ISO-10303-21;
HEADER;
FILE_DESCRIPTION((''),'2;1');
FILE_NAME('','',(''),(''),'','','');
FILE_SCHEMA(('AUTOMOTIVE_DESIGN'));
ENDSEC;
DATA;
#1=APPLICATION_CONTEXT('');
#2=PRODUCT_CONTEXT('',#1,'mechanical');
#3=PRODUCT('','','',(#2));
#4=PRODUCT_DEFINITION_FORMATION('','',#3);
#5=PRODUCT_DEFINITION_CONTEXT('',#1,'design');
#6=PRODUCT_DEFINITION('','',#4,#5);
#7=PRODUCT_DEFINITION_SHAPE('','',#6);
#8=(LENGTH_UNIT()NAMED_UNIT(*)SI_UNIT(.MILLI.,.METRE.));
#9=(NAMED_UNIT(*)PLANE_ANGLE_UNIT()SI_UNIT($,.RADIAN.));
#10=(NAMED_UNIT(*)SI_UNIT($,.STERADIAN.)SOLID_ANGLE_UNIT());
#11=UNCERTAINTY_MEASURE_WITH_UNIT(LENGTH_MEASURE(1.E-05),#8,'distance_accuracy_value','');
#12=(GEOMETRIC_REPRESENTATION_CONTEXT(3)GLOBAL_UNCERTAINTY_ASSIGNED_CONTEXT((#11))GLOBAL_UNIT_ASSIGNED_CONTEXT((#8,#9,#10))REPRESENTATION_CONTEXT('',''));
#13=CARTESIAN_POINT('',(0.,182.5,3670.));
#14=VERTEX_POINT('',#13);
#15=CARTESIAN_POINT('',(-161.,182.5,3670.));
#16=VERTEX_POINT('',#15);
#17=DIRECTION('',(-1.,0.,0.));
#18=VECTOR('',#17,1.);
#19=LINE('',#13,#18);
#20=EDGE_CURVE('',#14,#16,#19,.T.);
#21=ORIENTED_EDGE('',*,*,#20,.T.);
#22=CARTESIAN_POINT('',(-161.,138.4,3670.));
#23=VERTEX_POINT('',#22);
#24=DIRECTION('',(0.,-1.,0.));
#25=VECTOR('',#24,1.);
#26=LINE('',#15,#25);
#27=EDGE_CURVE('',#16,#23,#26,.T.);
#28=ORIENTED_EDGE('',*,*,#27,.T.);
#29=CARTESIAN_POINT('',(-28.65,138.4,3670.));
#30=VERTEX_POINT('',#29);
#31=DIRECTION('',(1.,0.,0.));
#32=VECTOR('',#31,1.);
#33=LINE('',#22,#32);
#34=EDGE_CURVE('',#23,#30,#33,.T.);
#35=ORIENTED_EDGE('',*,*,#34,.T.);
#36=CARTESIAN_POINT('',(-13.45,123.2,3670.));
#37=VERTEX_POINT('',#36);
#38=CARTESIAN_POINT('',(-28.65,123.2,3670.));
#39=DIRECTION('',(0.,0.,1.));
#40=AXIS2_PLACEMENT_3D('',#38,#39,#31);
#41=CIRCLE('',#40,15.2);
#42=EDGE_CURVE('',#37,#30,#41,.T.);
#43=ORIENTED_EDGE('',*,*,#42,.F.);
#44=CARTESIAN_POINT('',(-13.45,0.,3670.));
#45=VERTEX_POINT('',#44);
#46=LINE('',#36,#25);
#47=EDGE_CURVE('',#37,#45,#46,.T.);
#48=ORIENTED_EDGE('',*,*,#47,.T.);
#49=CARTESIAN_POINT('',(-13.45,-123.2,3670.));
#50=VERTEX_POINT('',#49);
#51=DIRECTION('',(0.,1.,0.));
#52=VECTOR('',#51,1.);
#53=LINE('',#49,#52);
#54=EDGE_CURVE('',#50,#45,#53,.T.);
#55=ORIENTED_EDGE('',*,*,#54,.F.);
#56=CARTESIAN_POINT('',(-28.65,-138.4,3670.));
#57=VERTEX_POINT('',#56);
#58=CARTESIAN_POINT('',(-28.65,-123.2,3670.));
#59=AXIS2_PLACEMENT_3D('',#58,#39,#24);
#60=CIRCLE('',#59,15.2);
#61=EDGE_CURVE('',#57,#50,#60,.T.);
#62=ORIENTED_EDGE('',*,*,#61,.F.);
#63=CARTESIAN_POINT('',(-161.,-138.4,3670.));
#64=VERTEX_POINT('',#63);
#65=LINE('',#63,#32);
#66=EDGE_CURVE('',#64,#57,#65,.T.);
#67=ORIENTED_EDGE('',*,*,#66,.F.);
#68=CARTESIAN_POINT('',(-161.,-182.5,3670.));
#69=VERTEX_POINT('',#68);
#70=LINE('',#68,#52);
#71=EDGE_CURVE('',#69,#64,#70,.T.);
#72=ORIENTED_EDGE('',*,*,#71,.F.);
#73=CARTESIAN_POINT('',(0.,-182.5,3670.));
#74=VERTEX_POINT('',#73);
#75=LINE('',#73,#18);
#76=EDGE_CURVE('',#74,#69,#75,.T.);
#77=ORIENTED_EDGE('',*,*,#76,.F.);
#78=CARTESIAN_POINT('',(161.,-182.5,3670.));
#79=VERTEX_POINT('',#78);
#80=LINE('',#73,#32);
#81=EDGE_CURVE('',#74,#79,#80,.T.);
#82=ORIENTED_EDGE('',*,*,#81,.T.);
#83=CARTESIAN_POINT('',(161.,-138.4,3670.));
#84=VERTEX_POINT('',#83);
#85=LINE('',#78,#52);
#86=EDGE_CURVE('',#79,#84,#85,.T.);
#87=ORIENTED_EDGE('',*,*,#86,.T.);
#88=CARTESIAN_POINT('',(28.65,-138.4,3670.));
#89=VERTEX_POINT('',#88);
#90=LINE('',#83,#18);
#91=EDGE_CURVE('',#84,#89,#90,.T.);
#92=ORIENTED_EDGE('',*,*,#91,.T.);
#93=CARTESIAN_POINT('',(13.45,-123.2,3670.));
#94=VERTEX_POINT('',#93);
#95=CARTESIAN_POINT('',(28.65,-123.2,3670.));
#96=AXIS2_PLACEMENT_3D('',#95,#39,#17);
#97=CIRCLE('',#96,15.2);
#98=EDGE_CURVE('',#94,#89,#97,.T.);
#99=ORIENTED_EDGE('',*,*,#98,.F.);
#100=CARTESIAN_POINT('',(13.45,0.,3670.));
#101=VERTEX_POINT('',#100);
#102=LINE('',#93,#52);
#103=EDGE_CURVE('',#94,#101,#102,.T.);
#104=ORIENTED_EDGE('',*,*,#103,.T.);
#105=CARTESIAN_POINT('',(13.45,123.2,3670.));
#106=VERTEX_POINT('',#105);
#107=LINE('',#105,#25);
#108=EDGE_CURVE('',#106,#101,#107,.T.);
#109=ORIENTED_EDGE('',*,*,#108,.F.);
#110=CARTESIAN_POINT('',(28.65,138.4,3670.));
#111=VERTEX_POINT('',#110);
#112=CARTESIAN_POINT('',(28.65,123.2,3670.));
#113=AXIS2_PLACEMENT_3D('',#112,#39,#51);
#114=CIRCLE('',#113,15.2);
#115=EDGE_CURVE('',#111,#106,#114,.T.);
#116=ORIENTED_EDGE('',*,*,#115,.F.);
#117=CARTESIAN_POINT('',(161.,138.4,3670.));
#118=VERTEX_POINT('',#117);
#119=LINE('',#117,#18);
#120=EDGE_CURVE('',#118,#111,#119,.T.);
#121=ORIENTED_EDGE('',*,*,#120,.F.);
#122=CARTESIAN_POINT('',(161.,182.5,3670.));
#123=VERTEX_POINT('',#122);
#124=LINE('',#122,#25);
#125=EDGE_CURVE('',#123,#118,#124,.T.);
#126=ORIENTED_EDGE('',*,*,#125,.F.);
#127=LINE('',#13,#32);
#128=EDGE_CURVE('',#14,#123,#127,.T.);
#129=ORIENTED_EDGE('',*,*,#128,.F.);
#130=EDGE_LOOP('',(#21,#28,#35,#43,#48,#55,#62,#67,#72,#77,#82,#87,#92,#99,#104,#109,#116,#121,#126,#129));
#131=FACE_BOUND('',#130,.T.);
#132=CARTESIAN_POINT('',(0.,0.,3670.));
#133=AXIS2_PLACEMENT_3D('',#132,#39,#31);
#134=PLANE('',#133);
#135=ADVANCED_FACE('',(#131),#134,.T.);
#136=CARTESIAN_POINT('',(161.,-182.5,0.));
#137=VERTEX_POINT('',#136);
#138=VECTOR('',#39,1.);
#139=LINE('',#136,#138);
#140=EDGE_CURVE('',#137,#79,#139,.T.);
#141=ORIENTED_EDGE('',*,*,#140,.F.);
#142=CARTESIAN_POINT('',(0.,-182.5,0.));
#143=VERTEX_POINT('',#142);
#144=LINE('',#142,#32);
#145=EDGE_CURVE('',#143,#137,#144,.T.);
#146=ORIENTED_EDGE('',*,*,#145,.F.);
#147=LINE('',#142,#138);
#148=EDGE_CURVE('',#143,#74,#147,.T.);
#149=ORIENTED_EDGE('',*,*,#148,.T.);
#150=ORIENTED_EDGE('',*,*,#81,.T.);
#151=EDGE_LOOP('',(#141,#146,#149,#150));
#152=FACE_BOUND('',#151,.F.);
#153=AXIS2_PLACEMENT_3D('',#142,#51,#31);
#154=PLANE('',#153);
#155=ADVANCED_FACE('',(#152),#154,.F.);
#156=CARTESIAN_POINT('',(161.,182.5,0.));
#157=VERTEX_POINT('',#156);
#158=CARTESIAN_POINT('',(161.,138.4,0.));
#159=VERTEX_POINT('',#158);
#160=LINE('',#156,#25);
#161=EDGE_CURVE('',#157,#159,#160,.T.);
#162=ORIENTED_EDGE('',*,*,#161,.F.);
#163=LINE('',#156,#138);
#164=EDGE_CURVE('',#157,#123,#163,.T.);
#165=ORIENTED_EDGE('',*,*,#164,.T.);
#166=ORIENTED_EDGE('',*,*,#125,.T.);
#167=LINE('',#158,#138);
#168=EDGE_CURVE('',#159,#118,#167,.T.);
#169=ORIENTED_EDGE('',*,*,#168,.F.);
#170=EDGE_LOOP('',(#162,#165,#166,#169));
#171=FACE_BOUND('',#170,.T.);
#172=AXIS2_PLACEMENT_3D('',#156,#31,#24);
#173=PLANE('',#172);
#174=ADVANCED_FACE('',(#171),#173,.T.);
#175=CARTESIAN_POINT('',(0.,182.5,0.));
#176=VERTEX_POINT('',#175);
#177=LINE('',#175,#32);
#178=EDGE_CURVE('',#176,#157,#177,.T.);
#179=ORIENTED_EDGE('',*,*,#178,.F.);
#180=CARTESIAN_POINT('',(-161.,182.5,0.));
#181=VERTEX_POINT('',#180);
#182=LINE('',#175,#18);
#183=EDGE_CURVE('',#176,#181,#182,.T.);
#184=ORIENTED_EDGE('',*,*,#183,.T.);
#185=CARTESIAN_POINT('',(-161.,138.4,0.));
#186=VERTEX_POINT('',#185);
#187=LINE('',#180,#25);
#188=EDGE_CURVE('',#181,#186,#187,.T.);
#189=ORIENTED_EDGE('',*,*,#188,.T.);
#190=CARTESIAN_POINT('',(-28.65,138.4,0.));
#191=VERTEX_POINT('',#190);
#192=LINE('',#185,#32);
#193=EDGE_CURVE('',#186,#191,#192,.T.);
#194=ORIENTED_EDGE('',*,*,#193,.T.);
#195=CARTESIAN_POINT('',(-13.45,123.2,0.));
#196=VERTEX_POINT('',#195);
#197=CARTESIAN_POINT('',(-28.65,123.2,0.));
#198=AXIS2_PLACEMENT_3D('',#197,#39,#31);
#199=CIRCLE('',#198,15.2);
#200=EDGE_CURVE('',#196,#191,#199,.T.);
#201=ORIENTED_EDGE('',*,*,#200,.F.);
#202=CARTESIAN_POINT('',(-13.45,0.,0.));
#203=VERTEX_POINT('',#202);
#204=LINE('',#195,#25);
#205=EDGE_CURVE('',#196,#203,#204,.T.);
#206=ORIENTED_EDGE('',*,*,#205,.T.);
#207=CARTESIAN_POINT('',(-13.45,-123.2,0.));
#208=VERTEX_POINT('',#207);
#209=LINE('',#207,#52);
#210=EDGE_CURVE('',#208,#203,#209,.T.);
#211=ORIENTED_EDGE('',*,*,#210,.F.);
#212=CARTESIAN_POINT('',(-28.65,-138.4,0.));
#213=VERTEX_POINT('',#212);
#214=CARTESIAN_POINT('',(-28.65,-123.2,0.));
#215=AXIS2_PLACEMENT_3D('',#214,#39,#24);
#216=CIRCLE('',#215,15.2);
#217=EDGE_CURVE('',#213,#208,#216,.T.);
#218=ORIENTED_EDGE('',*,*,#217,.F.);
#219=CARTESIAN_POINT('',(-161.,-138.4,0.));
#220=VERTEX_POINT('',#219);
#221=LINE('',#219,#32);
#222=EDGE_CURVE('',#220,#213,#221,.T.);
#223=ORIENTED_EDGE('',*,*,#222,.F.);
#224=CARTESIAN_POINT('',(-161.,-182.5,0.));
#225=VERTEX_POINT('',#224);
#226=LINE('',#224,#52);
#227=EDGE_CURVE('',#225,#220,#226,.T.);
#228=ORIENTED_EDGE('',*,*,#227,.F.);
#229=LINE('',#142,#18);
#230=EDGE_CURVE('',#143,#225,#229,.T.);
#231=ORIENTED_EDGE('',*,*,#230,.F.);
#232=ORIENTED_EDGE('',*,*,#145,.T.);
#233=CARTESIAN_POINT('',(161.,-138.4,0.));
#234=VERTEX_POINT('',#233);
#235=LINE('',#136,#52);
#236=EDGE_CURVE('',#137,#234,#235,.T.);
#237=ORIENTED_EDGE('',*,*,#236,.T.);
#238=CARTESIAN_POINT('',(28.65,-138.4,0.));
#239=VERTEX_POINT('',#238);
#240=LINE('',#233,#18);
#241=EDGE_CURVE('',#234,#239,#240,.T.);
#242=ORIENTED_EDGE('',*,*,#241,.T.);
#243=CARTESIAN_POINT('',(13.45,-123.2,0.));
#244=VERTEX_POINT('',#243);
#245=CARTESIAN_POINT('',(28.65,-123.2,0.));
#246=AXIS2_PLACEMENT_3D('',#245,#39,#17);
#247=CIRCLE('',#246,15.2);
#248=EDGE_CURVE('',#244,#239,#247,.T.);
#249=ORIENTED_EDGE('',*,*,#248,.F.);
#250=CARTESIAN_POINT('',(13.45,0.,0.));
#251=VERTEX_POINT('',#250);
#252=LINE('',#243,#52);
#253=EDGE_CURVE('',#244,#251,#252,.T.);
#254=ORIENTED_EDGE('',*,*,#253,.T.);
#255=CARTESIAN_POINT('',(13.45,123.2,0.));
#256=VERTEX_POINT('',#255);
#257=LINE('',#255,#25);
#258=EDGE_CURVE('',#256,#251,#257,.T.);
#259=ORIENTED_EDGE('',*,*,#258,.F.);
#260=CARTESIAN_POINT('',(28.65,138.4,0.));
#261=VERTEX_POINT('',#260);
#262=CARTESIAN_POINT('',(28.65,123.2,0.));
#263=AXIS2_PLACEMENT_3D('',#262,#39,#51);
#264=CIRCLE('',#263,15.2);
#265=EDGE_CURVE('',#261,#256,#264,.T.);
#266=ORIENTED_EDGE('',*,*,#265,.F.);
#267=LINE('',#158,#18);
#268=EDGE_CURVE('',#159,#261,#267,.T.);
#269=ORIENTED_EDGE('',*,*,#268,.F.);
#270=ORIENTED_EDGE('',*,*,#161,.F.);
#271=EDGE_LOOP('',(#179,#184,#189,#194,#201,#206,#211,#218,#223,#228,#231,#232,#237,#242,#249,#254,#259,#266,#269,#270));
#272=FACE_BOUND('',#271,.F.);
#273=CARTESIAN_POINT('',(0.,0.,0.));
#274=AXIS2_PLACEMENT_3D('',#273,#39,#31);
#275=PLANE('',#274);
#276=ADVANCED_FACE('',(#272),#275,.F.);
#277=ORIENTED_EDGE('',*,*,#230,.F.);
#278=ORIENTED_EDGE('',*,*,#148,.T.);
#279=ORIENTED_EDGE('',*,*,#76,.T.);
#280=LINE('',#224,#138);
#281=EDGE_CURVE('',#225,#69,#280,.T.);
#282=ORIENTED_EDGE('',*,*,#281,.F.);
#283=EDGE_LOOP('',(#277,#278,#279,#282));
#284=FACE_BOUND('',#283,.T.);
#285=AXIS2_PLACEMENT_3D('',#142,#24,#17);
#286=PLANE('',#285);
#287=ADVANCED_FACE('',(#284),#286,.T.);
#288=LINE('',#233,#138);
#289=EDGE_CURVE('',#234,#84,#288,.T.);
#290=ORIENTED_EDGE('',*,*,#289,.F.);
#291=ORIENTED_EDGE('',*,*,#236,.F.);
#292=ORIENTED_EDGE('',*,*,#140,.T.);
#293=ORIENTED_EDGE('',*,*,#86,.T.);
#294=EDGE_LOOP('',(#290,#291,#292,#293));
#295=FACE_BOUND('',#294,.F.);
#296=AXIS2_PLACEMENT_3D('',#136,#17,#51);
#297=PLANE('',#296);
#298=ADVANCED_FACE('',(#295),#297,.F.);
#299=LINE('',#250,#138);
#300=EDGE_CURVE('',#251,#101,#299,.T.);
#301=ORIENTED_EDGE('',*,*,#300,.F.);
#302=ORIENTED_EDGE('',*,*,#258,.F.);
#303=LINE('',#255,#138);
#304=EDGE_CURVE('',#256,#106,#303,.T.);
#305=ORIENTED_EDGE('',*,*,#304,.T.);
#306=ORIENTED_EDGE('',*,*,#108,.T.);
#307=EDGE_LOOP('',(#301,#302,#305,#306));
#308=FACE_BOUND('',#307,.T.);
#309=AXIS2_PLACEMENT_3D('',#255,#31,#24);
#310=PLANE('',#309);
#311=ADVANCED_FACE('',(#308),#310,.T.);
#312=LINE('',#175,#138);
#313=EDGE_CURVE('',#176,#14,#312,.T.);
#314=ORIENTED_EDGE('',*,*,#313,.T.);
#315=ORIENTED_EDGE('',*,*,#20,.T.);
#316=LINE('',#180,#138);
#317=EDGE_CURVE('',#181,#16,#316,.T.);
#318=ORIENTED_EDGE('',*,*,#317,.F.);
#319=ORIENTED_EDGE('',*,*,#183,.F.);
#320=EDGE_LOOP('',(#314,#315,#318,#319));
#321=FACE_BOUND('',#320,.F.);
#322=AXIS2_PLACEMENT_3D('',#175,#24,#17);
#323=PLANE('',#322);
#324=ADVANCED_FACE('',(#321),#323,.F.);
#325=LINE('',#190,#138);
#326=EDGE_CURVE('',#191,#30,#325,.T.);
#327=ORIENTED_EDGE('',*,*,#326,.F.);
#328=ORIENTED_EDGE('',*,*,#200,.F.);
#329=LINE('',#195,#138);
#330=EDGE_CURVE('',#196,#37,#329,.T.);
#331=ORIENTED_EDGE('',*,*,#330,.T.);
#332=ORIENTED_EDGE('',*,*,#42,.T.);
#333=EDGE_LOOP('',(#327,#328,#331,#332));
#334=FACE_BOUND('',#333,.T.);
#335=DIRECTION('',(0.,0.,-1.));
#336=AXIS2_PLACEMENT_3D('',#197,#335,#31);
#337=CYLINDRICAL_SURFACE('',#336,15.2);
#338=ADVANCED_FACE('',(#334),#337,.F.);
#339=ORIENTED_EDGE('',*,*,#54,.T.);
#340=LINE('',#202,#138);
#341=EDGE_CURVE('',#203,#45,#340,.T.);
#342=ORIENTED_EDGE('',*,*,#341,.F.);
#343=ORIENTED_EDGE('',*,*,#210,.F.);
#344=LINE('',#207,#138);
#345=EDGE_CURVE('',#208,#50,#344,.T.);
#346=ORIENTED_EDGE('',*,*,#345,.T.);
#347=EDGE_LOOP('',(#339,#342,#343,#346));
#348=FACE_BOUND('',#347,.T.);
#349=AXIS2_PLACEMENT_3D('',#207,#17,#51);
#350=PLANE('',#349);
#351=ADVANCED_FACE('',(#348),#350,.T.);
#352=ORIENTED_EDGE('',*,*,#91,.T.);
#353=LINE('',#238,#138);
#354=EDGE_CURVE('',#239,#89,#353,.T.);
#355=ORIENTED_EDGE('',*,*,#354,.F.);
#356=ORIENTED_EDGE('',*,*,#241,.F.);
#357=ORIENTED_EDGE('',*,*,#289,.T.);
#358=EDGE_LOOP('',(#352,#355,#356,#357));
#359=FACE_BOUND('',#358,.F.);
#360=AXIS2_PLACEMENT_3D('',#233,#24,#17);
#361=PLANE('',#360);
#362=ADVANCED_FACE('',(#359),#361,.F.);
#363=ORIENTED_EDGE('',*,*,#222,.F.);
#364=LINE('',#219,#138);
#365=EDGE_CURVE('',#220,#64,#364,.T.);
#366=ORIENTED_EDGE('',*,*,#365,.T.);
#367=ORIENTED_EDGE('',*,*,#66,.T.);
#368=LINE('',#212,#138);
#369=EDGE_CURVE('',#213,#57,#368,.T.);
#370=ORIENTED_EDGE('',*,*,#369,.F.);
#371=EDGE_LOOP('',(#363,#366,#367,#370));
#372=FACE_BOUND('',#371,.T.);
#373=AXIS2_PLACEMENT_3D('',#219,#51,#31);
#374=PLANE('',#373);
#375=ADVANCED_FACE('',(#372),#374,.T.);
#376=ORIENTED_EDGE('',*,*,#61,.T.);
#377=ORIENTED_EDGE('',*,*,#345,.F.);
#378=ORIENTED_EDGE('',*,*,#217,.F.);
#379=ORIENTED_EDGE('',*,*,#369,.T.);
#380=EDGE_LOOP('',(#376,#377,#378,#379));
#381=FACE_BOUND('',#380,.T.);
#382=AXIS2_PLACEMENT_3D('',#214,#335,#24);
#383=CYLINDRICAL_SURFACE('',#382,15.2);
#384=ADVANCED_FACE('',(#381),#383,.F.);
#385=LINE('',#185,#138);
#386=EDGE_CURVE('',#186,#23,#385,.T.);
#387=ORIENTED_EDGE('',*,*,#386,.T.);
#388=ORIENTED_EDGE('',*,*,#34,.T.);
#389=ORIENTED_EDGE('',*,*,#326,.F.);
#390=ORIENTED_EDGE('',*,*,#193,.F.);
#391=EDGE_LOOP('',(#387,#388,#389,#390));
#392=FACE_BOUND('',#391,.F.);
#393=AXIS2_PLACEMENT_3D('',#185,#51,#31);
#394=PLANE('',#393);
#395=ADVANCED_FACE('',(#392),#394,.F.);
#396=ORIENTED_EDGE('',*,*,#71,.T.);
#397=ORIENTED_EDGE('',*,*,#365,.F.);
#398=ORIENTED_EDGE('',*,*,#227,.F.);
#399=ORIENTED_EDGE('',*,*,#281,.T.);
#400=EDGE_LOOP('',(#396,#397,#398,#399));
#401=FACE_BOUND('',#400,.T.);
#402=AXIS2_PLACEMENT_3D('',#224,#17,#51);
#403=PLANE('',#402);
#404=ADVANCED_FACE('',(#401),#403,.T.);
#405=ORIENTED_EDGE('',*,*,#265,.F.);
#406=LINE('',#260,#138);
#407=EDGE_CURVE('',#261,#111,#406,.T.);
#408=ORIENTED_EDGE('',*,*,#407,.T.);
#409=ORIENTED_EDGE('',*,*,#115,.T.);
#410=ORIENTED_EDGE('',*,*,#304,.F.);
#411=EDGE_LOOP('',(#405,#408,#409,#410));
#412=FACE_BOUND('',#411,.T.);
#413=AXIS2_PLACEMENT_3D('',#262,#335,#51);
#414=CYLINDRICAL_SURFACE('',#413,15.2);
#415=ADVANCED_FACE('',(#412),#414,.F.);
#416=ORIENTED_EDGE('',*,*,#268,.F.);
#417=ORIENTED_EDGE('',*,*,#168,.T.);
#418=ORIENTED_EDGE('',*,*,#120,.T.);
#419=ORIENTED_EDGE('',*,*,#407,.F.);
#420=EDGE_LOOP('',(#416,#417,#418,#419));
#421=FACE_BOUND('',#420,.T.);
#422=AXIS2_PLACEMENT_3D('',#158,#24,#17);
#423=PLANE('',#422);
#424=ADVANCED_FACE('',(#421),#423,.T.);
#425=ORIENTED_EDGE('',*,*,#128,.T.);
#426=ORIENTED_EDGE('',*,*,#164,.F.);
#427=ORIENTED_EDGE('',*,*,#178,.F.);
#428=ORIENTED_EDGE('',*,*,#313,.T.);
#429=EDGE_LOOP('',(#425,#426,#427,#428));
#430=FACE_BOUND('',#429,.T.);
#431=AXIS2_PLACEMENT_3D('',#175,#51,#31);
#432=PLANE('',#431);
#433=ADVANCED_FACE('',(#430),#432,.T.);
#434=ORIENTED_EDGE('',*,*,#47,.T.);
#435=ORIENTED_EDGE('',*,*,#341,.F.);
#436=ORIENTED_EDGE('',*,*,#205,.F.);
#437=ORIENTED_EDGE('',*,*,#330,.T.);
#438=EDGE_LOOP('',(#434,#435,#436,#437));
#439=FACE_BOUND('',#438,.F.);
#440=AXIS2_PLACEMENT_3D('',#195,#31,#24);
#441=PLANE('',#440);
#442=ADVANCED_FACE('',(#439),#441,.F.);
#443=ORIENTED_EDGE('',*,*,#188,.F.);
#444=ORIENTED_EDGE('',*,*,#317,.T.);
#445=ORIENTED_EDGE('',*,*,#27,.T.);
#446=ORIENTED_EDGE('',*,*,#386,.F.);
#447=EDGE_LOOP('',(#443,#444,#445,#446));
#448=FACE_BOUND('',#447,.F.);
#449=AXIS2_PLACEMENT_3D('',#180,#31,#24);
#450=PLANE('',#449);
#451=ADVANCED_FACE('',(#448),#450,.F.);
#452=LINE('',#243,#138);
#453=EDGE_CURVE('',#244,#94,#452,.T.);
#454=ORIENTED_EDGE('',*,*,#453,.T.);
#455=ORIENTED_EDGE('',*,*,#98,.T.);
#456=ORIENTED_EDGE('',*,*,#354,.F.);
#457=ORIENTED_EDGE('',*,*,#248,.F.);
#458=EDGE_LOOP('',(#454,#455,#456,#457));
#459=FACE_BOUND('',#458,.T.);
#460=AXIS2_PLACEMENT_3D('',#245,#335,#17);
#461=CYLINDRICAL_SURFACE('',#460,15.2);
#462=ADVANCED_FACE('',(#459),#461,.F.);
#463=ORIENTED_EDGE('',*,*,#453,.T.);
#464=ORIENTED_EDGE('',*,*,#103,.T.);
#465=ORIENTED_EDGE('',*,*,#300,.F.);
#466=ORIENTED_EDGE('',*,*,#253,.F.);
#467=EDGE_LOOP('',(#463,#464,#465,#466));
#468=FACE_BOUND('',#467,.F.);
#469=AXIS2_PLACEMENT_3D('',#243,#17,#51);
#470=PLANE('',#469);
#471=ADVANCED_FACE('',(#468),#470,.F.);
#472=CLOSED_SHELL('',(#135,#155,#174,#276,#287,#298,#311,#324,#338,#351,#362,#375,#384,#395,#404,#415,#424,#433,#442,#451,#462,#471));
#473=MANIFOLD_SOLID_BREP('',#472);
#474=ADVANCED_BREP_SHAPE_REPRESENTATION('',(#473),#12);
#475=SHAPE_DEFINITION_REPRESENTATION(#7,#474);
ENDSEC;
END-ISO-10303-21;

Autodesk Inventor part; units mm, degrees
ref_plane "YZ Plane" through (0, 0, 0) normal (1, 0, 0) x (0, 1, 0)
ref_plane "Start plane" through (0, 0, 0) normal (0, 0, 1) x (1, 0, 0)
ref_plane "End plane" through (0, 0, 3670) normal (0, 0, 1) x (1, 0, 0)
sketch "Sketch" plane through (0, 0, 0) normal (0, 0, 1) x (1, 0, 0)
  line L0 (-161, -182.5) -> (-161, -138.4)
  line L1 (-161, -138.4) -> (-28.65, -138.4)
  line L2 (-13.45, -123.2) -> (-13.45, 0)
  line L3 (-13.45, 0) -> (0, 0) construction
  line L4 (0, 0) -> (0, -182.5) construction
  line L5 (0, -182.5) -> (-161, -182.5)
  line L6 (-60, 0) -> (80, 0) construction
  line L7 (0, -60) -> (0, 80) construction
  line L8 (161, -182.5) -> (161, -138.4)
  line L9 (161, -138.4) -> (28.65, -138.4)
  line L10 (13.45, -123.2) -> (13.45, 0)
  line L11 (13.45, 0) -> (0, 0) construction
  line L12 (0, -182.5) -> (161, -182.5)
  line L13 (-161, 182.5) -> (-161, 138.4)
  line L14 (-161, 138.4) -> (-28.65, 138.4)
  line L15 (-13.45, 123.2) -> (-13.45, 0)
  line L16 (0, 182.5) -> (-161, 182.5)
  line L17 (161, 182.5) -> (161, 138.4)
  line L18 (161, 138.4) -> (28.65, 138.4)
  line L19 (0, 182.5) -> (161, 182.5)
  line L20 (13.45, 123.2) -> (13.45, 0)
  arc A0 (-13.45, 123.2) -> (-28.65, 138.4) centre (-28.65, 123.2) ccw
  arc A1 (28.65, 138.4) -> (13.45, 123.2) centre (28.65, 123.2) ccw
  arc A2 (13.45, -123.2) -> (28.65, -138.4) centre (28.65, -123.2) ccw
  arc A3 (-28.65, -138.4) -> (-13.45, -123.2) centre (-28.65, -123.2) ccw
  line L21 (0, 108) -> (0, -88) construction
  line L22 (-88, 0) -> (108, 0) construction
  point P0 (-13.45, -138.4)
  point P1 (13.45, -138.4)
  point P2 (-13.45, 138.4)
  point P3 (13.45, 138.4)
  dimension "d1" = 182.5
  dimension "d2" = 44.1
  dimension "d3" = 161
  dimension "d4" = 13.45
  dimension "d10" = 15.2
extrude "Body" add sketch "Sketch" along normal up to surface (3670 mm away) from surface at 0
sketch "Sketch4" plane through (0, 0, 0) normal (0, 0, 1) x (1, 0, 0)
  line L0 (0, 0) -> (10, 0)
ref_plane "Work Plane3" through (0, 0, 0) normal (0, -1, 0) x (1, 0, 0)
sketch "Sketch5" plane through (0, 0, 0) normal (0, -1, 0) x (1, 0, 0)
  line L0 (-2, 0) -> (12, 0) projected
  line L1 (-2, 3670) -> (12, 3670) projected
  dimension "d14" = 3670
equation "\"d1\" = 0.5 * G_H"
equation "\"d2\" = G_T1"
equation "\"d3\" = 0.5 * G_W"
equation "\"d4\" = 0.5 * G_T"
equation "\"d10\" = G_IR"
equation "\"d5\" = G_L"
equation "\"G_W\" = 322"
equation "\"G_H\" = 365"
equation "\"G_T\" = 26.9"
equation "\"G_T1\" = 44.1"
equation "\"G_IR\" = 15.2"
equation "\"G_L\" = d14"
equation "\"G_OFFSET_START\" = 0"
equation "\"G_OFFSET_END\" = 0"
properties part number "AS 3679 - 310 UC - 283 - 3670" material "Steel, Mild"
